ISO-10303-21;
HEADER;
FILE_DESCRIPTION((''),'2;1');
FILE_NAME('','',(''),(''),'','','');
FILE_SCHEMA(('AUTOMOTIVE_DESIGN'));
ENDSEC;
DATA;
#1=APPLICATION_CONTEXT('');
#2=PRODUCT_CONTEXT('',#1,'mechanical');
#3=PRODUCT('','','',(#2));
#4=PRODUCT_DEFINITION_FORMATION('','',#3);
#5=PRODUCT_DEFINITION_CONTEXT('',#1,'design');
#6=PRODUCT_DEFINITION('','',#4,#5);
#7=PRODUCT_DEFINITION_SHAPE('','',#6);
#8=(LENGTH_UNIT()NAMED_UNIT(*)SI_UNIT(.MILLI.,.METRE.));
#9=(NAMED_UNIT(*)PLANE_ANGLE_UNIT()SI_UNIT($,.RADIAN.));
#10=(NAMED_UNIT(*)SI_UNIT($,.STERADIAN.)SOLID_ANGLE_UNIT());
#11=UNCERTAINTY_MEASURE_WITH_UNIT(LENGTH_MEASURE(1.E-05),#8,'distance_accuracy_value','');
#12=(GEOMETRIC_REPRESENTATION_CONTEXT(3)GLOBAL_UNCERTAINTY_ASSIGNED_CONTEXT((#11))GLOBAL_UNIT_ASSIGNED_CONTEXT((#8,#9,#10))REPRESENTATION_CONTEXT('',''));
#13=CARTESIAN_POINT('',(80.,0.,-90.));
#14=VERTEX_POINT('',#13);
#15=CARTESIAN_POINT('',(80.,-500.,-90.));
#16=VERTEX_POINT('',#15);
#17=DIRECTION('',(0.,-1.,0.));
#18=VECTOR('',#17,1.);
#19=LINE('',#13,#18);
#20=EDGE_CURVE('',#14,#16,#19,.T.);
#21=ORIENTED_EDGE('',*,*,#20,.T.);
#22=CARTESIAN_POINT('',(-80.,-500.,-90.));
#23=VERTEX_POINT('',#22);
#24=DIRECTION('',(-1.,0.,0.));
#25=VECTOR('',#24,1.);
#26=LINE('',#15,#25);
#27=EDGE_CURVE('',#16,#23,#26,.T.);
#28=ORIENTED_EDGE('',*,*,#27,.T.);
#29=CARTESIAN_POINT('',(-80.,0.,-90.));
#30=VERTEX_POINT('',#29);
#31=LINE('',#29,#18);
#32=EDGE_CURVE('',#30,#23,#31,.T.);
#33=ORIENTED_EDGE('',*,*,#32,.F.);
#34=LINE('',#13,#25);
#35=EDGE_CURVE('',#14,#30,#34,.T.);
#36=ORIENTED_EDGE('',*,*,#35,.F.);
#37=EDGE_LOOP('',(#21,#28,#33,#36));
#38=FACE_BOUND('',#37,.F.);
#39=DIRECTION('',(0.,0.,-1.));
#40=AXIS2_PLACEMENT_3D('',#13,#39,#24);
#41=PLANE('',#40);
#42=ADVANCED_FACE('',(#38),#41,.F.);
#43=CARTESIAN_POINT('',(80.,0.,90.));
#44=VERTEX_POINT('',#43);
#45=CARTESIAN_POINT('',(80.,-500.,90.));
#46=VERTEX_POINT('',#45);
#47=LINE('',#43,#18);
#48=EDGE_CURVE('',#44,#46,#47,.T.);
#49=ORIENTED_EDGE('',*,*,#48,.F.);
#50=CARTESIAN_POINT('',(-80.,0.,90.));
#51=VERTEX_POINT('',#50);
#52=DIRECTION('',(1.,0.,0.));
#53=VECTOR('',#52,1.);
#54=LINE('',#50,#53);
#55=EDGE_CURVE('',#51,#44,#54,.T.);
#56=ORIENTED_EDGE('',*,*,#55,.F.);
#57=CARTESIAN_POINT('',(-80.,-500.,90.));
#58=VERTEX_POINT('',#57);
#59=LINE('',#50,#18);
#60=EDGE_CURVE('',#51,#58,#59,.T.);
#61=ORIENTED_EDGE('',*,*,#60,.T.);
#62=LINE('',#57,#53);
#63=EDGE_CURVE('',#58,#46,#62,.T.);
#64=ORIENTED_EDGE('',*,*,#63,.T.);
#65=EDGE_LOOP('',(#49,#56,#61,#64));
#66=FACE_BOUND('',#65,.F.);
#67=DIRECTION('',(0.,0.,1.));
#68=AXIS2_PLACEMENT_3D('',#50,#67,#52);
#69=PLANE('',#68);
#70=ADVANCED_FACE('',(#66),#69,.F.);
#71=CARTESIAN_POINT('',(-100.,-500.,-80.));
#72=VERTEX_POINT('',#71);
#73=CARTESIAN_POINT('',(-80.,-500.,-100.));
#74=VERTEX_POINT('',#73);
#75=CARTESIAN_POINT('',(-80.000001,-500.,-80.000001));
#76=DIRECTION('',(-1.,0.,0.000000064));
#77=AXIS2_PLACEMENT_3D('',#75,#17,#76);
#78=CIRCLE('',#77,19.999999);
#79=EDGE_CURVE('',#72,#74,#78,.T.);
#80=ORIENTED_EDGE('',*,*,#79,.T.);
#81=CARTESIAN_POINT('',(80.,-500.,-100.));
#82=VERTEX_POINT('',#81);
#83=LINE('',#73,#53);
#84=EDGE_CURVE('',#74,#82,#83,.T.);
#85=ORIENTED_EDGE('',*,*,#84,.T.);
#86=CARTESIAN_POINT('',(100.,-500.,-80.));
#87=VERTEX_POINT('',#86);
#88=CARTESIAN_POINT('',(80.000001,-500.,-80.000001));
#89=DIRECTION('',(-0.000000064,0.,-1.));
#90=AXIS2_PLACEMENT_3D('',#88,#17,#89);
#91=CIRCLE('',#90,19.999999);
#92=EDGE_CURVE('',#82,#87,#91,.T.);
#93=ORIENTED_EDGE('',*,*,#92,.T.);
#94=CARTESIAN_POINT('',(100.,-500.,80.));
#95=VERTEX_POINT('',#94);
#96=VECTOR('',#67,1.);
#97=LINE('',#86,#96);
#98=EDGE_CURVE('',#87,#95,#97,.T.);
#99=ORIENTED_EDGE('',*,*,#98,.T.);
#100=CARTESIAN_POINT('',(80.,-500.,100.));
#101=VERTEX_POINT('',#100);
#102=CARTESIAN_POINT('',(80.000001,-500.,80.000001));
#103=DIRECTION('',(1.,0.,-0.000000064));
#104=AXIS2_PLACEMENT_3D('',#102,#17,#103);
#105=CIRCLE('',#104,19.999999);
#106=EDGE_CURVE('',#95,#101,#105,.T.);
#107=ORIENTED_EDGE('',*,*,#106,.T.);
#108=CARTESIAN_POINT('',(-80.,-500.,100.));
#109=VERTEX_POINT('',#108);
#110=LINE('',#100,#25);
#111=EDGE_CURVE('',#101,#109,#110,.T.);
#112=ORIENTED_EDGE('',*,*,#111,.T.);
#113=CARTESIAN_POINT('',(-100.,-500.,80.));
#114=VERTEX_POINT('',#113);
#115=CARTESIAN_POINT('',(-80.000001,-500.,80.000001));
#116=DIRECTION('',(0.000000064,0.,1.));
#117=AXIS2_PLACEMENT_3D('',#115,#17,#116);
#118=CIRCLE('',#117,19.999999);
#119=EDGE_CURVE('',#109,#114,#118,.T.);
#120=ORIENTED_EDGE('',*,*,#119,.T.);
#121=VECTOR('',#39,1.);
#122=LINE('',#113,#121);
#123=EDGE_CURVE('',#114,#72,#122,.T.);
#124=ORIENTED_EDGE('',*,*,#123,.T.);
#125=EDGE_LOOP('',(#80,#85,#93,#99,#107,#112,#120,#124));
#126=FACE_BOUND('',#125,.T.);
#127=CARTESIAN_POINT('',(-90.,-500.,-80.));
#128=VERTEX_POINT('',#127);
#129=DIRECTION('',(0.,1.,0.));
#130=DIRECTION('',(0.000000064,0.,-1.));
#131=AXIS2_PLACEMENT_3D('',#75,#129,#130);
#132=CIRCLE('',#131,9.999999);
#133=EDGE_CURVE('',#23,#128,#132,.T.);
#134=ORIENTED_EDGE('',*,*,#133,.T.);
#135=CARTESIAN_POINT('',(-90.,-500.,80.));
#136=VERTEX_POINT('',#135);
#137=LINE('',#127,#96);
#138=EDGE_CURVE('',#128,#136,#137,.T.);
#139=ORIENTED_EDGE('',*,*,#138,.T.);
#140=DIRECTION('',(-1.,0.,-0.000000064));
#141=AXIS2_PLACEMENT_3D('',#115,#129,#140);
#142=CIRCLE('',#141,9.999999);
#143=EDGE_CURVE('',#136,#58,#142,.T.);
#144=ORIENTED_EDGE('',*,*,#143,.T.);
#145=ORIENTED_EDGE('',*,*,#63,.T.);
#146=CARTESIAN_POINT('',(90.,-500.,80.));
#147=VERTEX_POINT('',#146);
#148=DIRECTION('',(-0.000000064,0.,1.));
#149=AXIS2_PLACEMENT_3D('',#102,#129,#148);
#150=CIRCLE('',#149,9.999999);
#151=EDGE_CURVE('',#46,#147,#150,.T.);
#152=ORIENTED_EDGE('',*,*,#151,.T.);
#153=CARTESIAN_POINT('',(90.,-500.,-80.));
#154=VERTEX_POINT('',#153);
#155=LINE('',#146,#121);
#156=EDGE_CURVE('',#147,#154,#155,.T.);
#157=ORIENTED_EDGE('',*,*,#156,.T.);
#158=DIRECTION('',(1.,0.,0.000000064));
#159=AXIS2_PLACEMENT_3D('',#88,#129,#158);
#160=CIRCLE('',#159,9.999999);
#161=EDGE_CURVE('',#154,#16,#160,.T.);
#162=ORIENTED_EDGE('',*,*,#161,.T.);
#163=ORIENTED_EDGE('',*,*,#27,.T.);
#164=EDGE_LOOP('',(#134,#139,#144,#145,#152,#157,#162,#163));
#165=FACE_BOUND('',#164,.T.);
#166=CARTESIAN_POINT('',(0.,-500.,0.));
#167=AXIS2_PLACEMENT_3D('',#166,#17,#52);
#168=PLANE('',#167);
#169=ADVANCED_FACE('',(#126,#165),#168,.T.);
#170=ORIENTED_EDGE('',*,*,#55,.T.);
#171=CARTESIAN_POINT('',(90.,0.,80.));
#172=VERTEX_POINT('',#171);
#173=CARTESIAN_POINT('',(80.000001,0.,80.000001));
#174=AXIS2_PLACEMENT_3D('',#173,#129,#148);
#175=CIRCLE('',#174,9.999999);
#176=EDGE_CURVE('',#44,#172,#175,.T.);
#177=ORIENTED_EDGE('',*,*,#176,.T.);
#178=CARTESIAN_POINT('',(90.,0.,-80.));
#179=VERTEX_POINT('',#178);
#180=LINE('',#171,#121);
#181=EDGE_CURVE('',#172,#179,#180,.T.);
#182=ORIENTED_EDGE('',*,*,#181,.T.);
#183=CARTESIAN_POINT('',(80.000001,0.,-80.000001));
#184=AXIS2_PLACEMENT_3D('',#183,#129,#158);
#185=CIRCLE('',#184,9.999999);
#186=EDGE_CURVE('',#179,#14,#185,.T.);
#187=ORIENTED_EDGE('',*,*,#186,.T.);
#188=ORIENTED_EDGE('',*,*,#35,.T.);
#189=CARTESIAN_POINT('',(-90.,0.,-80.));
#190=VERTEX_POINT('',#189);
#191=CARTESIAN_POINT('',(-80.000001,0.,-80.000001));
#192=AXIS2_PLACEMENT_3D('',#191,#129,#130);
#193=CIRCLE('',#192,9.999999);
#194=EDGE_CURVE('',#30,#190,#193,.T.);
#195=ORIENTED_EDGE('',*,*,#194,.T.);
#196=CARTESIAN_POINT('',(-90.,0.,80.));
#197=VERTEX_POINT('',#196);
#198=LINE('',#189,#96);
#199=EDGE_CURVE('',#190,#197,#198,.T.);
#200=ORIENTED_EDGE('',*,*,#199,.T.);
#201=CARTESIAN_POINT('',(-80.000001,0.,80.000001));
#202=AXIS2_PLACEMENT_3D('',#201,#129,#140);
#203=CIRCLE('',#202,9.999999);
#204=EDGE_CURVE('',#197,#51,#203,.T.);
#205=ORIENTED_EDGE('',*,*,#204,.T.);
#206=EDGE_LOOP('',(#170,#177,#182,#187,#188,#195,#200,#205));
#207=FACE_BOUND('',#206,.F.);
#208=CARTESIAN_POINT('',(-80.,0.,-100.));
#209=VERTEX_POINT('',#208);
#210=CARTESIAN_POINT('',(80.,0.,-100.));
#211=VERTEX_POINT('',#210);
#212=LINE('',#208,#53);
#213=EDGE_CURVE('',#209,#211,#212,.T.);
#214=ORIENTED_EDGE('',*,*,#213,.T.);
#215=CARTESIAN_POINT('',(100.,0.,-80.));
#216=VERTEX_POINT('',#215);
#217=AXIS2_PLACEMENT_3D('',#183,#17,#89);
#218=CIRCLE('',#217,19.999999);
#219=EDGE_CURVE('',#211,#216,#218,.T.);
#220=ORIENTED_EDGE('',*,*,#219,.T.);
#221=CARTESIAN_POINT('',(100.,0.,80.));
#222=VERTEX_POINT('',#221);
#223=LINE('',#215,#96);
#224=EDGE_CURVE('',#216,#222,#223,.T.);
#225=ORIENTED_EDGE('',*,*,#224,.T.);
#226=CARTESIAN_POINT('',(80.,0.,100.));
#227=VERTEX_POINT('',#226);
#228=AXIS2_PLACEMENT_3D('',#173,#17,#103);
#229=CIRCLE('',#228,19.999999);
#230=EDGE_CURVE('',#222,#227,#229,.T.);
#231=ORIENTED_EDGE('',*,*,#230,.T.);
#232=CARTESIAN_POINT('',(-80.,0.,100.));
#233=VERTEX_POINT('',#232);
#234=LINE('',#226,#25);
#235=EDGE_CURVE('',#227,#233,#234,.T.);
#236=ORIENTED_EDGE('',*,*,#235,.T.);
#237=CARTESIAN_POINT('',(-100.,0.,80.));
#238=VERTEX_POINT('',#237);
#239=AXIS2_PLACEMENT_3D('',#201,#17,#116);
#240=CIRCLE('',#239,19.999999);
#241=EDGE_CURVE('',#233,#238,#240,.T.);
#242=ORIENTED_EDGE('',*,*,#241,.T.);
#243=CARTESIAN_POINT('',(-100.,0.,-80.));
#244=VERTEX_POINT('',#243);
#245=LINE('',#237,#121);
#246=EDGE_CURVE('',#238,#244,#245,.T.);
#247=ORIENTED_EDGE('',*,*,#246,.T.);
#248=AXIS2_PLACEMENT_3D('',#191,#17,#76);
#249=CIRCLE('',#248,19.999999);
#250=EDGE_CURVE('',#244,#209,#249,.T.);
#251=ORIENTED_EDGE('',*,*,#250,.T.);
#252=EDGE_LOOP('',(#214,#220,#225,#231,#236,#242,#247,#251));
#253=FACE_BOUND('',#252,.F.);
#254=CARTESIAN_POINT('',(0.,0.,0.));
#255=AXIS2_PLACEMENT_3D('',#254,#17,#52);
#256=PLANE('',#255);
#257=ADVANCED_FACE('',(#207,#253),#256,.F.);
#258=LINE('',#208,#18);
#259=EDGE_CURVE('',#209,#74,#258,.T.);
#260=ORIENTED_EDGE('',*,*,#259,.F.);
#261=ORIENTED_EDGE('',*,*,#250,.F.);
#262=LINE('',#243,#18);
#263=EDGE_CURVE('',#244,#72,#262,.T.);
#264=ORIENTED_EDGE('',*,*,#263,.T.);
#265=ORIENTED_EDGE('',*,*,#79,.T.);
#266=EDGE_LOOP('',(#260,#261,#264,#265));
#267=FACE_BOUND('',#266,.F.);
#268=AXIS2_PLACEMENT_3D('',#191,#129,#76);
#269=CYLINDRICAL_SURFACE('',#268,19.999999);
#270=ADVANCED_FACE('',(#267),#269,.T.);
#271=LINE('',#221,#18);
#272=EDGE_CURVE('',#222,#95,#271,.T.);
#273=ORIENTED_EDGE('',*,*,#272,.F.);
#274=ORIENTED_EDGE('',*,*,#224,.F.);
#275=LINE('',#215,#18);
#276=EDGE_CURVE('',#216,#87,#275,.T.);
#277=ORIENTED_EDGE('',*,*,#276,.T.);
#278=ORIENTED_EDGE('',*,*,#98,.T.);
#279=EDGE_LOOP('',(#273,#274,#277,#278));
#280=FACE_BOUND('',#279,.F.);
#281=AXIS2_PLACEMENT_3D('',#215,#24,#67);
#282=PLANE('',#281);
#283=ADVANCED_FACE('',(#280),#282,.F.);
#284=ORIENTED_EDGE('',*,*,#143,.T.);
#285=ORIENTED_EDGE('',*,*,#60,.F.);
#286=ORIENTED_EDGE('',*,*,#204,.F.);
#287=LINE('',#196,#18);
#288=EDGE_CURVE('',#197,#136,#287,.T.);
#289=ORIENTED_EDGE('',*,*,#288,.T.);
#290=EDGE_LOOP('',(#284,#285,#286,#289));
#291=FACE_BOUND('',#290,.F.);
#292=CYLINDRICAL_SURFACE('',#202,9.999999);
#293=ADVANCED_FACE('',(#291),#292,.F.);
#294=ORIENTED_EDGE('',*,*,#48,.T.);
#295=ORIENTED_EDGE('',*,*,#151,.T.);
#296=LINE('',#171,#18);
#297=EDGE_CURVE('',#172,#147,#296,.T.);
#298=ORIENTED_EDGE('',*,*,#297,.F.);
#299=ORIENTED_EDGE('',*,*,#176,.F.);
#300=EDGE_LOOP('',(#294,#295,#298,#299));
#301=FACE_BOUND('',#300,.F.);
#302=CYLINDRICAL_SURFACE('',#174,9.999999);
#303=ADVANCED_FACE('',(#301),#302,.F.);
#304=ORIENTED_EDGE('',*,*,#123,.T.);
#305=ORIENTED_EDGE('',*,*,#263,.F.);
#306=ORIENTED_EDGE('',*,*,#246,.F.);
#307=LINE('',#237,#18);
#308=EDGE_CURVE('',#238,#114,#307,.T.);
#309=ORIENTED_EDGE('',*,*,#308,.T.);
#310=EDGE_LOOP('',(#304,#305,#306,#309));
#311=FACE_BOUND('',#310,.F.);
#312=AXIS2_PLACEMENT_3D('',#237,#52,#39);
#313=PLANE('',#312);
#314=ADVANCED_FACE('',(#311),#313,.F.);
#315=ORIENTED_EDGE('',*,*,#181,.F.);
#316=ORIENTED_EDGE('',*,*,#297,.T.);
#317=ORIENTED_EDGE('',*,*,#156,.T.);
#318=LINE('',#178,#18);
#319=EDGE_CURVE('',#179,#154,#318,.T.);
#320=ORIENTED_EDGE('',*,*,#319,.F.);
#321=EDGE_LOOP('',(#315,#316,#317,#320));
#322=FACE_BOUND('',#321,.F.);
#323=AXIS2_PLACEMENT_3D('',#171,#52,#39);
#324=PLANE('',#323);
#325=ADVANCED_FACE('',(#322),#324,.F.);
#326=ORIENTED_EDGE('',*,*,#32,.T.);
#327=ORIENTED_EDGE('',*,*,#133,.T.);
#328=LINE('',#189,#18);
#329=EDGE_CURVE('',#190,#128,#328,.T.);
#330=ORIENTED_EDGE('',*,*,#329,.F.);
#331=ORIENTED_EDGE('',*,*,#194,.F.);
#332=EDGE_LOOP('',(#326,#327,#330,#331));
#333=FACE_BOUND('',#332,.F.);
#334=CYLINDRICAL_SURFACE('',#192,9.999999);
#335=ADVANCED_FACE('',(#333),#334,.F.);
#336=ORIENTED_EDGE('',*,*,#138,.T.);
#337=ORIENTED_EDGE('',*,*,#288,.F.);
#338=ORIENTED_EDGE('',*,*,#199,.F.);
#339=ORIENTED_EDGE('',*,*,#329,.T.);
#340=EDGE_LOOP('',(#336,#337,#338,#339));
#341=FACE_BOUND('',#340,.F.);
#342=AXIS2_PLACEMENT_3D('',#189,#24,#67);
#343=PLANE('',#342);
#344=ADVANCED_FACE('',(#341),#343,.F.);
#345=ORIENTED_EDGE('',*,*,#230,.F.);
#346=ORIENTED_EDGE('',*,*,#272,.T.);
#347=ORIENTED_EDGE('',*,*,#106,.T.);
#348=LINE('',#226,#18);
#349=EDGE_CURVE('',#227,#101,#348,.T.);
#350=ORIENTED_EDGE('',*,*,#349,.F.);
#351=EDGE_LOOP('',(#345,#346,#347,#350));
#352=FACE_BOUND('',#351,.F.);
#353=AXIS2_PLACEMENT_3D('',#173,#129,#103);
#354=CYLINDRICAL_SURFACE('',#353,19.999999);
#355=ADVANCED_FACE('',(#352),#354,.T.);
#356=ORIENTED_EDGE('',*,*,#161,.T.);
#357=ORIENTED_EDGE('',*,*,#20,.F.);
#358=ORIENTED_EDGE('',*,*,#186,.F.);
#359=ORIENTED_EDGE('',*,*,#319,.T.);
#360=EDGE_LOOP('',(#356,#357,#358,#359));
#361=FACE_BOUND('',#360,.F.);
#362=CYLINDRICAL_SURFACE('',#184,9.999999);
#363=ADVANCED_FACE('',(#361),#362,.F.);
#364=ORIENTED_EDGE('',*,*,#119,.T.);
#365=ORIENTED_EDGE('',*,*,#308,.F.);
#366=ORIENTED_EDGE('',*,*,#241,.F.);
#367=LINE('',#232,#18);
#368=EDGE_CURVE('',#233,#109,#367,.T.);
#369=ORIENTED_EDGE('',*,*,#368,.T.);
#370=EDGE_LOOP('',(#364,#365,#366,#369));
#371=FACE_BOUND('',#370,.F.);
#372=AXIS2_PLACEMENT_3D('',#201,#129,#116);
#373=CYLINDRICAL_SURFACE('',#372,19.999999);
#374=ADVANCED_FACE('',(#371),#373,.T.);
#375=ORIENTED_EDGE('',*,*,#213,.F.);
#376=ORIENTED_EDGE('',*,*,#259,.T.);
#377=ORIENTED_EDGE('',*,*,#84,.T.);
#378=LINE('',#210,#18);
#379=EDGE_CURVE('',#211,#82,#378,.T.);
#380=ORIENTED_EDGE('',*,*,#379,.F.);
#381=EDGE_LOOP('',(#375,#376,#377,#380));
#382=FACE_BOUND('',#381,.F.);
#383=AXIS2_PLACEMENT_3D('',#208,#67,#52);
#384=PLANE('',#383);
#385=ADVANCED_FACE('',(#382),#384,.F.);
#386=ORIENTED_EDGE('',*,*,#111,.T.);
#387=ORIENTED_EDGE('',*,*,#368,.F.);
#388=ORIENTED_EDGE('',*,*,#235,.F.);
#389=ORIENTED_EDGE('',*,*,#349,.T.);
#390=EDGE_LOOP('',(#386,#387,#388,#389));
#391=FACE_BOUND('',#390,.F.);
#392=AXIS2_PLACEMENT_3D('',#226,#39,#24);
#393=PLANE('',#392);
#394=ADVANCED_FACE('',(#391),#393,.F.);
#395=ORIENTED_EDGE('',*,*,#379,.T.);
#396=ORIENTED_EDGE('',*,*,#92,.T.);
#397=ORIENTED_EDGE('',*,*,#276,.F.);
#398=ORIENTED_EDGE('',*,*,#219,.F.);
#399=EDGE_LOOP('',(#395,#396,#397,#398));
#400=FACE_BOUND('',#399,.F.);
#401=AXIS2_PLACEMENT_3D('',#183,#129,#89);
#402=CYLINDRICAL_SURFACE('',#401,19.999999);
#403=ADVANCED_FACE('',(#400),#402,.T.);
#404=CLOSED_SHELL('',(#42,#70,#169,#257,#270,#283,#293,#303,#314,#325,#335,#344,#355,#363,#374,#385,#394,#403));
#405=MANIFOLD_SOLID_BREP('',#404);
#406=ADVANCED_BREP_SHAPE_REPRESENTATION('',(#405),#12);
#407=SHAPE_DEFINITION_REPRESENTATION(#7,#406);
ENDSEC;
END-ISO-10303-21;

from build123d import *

# Parameters (mm, degrees)
F1_DEPTH = 500


with BuildPart() as f1:
    # F0 (on Front) → F1 (new body)
    with BuildSketch(Plane.XZ):
        with BuildLine():
            ThreePointArc((100, 80), (94.142136, 94.142136), (80, 100))
            Line((80, 100), (-80, 100))
            ThreePointArc((-80, 100), (-94.142136, 94.142136), (-100, 80))
            Line((-100, 80), (-100, -80))
            ThreePointArc((-100, -80), (-94.142136, -94.142136), (-80, -100))
            Line((-80, -100), (80, -100))
            ThreePointArc((80, -100), (94.142136, -94.142136), (100, -80))
            Line((100, -80), (100, 80))
        make_face()
        with BuildLine():
            Line((-80, 90), (80, 90))
            ThreePointArc((80, 90), (87.071068, 87.071068), (90, 80))
            Line((90, 80), (90, -80))
            ThreePointArc((90, -80), (87.071068, -87.071068), (80, -90))
            Line((80, -90), (-80, -90))
            ThreePointArc((-80, -90), (-87.071068, -87.071068), (-90, -80))
            Line((-90, -80), (-90, 80))
            ThreePointArc((-90, 80), (-87.071068, 87.071068), (-80, 90))
        make_face(mode=Mode.SUBTRACT)
    extrude(amount=F1_DEPTH)


solid = f1.part
